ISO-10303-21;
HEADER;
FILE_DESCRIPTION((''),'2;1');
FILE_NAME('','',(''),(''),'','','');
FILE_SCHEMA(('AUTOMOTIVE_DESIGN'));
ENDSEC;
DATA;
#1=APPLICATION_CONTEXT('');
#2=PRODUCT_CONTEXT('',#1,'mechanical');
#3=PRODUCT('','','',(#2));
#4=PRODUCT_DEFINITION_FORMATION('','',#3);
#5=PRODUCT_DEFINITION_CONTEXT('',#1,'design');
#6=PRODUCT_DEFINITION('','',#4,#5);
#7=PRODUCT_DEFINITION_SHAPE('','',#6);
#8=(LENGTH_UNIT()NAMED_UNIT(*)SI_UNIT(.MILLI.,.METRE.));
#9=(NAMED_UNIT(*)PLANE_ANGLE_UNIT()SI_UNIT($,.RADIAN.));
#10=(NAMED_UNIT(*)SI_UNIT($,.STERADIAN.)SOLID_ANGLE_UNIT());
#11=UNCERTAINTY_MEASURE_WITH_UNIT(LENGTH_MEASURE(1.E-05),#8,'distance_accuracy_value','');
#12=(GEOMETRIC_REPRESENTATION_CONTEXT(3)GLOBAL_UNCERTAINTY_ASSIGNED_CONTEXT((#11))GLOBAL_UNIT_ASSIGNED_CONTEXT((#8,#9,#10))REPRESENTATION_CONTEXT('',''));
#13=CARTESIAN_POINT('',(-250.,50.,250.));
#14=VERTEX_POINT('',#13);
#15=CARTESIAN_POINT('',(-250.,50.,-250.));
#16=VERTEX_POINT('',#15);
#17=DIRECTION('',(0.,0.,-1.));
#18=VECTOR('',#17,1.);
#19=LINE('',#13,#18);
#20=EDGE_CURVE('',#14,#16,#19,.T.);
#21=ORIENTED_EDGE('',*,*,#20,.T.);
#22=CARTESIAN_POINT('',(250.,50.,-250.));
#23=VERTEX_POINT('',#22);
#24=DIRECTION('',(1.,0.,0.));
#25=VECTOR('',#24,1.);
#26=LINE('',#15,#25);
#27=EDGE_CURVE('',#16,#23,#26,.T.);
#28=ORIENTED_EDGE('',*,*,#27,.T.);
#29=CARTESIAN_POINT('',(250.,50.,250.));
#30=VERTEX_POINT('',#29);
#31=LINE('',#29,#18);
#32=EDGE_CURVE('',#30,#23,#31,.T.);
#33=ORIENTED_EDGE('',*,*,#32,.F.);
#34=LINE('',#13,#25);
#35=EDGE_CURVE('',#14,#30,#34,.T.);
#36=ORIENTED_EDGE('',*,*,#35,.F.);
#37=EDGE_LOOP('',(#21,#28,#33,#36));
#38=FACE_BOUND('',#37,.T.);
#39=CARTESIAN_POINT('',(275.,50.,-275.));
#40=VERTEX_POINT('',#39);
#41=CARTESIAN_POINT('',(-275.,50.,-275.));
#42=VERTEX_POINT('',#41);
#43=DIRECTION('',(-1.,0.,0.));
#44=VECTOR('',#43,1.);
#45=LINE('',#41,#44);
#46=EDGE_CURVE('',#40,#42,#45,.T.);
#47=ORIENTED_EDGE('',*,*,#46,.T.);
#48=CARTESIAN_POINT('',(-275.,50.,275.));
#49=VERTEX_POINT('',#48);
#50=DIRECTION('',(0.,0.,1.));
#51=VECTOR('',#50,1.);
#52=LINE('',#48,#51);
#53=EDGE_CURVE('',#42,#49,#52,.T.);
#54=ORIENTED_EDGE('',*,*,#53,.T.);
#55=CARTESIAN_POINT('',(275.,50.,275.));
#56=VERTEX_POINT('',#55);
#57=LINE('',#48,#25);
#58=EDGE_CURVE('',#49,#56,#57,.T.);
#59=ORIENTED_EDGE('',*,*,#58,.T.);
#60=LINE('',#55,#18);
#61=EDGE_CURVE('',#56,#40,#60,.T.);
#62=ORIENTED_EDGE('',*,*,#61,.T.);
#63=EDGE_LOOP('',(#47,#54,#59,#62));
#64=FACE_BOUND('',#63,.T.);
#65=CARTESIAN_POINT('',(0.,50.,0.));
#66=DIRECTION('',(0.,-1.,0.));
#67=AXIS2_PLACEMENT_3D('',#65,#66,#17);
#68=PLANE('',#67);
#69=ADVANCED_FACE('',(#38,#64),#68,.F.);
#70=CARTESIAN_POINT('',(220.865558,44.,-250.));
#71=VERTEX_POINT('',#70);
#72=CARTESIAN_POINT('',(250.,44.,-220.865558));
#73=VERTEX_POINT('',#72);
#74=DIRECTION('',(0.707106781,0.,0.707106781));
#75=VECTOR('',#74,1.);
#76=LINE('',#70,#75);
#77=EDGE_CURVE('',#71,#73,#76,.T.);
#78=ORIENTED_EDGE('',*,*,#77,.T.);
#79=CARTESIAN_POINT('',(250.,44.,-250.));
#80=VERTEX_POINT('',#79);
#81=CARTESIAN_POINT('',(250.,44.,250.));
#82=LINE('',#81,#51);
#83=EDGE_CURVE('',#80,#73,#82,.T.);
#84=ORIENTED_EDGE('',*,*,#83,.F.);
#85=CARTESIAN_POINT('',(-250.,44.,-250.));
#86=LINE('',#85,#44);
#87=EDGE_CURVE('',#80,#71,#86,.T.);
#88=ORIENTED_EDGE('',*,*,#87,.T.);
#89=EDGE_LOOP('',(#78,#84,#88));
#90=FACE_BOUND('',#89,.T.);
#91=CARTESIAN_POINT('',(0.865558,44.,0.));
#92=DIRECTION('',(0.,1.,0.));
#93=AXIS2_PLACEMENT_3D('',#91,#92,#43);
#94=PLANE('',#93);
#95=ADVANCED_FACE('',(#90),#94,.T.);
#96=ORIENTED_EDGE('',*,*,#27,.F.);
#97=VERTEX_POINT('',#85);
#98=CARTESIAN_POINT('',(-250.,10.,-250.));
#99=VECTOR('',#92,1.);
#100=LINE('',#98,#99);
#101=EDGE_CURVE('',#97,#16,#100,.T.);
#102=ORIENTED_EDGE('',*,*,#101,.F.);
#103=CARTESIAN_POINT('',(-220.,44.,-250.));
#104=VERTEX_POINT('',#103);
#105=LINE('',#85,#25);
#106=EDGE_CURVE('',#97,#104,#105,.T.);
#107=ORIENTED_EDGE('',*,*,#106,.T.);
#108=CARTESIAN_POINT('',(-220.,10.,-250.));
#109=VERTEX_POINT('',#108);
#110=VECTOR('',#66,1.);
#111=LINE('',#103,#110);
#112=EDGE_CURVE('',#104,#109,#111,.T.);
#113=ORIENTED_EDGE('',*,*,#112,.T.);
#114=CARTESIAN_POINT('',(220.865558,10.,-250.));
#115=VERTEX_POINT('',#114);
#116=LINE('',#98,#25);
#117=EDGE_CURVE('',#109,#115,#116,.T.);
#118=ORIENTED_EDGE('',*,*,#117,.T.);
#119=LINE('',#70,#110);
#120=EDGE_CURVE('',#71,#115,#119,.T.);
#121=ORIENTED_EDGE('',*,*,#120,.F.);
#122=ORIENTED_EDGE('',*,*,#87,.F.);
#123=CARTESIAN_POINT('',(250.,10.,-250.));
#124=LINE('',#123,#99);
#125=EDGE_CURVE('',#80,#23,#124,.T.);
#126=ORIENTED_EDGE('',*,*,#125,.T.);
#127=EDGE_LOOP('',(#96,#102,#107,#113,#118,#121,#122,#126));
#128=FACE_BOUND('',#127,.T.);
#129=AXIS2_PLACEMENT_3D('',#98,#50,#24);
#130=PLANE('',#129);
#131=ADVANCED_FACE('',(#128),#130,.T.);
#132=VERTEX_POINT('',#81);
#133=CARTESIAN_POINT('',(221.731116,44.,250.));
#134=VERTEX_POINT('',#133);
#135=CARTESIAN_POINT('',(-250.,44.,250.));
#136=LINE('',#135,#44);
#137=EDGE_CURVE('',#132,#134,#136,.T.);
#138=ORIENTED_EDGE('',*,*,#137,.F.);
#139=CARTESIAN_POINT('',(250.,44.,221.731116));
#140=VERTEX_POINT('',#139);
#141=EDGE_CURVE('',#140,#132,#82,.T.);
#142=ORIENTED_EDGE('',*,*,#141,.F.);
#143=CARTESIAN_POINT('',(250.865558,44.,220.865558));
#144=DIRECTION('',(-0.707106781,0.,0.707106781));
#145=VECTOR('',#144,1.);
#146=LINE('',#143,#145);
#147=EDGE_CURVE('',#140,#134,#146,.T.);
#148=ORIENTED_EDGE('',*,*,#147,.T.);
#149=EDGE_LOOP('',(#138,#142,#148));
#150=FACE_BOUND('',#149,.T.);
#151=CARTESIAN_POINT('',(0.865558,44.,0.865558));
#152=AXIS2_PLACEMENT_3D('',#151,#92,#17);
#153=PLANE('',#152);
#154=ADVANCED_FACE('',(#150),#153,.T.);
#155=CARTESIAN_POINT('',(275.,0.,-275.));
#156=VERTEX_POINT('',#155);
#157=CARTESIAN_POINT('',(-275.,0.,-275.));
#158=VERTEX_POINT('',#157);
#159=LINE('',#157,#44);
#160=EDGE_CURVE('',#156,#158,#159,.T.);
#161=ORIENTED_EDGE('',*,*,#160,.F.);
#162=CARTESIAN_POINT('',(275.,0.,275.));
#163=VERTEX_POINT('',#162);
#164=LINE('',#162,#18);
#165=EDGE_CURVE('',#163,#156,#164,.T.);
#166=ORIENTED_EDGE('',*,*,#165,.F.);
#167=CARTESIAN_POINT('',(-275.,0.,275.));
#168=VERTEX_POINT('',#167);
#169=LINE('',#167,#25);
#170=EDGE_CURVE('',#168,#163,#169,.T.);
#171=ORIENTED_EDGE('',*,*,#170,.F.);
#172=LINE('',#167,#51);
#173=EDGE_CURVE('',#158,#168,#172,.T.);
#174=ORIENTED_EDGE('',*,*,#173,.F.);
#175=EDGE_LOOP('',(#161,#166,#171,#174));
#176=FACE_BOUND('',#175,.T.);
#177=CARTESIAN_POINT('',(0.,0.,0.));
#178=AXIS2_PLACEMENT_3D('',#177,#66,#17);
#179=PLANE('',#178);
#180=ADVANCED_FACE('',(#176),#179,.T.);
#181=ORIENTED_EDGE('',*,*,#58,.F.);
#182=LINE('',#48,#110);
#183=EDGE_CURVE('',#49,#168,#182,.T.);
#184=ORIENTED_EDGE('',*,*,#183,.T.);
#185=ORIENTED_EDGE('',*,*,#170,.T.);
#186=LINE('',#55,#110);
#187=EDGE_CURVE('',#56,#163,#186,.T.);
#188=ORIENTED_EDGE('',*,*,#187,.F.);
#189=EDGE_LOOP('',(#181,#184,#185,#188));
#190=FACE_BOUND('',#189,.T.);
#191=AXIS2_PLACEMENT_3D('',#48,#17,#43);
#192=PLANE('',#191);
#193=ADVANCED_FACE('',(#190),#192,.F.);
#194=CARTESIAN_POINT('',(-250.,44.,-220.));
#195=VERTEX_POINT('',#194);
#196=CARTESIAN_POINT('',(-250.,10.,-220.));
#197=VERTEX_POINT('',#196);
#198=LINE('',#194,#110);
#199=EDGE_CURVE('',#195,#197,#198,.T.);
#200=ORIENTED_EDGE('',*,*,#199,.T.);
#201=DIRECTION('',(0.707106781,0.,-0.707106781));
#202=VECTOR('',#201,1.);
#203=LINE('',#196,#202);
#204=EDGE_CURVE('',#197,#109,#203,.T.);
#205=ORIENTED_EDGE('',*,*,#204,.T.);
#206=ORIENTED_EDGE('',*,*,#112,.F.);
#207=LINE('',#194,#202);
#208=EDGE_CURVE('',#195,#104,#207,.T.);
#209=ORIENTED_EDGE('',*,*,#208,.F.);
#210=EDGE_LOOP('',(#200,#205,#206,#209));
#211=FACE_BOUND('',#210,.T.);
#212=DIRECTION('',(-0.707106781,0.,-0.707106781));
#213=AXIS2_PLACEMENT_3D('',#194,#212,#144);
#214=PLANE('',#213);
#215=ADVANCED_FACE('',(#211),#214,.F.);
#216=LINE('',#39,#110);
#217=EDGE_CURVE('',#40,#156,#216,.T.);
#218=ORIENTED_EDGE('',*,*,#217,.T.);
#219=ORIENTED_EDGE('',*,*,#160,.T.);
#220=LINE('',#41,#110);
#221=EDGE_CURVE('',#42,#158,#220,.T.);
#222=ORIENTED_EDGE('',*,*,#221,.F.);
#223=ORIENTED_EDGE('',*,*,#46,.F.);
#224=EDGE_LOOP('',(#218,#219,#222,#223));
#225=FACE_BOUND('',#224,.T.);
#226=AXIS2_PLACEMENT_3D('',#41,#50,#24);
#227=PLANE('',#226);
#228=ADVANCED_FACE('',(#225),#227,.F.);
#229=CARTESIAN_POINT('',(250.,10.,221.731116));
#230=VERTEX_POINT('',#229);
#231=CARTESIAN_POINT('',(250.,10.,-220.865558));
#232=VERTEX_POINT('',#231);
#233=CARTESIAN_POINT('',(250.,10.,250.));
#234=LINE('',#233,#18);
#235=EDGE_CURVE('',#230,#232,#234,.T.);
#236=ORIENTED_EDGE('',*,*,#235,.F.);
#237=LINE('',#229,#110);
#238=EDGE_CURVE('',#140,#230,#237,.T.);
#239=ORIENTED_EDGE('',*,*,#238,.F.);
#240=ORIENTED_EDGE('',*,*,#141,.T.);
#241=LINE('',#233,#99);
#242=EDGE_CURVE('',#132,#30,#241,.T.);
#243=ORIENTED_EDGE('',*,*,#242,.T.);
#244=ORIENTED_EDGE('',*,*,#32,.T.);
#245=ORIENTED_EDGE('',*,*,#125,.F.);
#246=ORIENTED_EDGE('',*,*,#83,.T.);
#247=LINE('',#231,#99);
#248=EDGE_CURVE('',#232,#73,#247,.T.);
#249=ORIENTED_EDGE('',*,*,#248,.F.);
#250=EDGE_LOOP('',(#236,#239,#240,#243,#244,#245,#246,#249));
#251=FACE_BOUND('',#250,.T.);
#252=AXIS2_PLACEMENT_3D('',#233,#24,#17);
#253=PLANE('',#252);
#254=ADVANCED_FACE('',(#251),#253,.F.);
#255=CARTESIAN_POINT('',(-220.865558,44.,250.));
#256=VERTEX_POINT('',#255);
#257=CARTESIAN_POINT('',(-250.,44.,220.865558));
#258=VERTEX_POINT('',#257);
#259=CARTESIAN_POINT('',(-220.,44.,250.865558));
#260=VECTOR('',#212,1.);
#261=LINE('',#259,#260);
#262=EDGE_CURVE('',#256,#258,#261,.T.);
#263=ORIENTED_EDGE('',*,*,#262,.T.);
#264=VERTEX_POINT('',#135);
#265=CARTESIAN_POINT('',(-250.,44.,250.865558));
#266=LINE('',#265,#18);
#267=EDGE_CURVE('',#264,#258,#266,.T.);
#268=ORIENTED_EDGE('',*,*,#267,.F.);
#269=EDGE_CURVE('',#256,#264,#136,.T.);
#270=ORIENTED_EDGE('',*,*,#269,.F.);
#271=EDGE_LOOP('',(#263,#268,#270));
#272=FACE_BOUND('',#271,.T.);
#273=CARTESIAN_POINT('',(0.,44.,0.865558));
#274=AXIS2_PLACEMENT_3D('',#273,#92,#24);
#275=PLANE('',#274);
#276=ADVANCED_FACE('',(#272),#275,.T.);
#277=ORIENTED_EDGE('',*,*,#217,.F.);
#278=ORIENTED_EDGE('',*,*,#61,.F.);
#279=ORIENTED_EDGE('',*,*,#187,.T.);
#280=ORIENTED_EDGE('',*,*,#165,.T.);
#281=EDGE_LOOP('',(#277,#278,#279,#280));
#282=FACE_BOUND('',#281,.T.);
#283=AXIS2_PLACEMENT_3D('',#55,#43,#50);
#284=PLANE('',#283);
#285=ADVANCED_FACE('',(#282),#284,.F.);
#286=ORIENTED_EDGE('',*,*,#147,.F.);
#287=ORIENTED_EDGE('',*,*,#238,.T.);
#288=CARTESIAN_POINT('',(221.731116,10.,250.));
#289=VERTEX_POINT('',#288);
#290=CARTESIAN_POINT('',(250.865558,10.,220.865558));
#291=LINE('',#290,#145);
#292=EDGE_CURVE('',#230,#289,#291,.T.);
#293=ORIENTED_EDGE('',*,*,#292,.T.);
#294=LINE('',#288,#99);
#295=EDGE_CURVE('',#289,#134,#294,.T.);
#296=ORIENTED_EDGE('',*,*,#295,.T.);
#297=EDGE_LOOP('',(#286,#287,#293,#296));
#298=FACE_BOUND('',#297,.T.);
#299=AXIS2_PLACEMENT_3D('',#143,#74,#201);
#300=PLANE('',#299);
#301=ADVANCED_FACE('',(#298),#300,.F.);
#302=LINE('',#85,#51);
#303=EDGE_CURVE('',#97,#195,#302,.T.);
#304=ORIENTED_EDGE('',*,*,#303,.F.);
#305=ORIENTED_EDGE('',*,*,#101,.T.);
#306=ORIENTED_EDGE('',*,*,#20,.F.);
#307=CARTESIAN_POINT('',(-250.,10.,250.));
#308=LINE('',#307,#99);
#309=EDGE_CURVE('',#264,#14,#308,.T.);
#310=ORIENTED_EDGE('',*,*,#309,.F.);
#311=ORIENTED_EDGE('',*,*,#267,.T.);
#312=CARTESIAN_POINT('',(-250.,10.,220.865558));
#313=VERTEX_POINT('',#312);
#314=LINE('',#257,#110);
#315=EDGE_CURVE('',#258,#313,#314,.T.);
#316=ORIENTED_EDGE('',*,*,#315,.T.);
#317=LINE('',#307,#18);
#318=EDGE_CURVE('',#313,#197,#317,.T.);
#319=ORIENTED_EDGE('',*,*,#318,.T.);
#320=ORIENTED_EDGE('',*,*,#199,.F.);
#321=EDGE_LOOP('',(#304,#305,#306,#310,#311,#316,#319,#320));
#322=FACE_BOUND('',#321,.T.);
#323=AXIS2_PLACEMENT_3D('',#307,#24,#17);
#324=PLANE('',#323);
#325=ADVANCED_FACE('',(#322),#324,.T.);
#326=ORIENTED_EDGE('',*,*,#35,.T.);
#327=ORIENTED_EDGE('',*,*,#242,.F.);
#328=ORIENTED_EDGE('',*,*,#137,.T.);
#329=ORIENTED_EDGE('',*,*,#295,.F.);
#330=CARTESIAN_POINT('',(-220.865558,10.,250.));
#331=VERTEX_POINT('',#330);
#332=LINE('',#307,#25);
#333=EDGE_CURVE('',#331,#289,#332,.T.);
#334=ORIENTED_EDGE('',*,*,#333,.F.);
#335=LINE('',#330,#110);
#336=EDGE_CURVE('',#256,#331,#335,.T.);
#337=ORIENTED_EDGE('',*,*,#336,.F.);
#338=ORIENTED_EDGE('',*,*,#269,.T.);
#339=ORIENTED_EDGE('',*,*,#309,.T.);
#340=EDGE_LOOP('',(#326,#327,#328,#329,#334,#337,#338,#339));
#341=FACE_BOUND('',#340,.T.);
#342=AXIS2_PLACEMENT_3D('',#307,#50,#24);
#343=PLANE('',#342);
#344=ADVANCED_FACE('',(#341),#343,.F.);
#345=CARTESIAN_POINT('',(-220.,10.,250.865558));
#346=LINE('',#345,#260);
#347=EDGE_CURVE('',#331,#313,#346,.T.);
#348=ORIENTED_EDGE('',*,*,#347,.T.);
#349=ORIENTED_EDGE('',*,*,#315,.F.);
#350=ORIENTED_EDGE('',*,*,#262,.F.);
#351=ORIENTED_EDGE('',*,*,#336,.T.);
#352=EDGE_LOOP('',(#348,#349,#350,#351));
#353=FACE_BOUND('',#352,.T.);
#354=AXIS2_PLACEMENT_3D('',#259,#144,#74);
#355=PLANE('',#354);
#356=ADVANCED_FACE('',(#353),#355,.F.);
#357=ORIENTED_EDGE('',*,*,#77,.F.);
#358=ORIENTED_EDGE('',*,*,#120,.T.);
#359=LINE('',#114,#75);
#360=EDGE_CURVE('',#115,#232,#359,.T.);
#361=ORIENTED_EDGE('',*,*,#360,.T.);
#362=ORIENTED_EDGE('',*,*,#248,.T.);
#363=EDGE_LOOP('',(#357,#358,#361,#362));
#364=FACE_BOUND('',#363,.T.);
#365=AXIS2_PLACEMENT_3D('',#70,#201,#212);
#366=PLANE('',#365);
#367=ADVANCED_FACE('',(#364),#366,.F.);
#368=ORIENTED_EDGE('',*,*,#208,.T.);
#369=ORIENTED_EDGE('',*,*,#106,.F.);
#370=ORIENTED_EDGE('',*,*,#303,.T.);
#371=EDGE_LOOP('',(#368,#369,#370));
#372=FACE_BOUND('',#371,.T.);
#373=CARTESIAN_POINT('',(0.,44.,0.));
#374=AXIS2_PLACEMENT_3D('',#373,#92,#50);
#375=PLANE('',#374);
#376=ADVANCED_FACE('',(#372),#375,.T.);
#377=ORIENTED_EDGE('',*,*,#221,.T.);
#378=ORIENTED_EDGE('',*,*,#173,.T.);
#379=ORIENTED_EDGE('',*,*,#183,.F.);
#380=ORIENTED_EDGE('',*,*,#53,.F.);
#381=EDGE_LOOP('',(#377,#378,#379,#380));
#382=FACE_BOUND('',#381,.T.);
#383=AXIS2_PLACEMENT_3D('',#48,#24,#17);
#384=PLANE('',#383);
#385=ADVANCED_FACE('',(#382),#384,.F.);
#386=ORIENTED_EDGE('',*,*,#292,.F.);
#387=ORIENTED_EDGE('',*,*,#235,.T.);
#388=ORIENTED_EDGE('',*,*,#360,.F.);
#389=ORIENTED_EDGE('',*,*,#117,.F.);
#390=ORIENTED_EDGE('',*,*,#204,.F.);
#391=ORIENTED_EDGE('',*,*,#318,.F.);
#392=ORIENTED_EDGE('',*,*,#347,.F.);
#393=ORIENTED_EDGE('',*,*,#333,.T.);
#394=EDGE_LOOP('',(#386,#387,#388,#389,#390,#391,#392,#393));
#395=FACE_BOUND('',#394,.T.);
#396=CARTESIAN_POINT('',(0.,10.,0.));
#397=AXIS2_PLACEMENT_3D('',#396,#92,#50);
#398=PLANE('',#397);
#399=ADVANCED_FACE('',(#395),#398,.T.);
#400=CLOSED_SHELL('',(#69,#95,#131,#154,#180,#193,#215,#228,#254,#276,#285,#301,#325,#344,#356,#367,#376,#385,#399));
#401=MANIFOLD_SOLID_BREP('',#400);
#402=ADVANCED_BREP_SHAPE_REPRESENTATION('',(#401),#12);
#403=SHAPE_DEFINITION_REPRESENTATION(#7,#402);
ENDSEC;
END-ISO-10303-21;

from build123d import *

# Parameters (mm, degrees)
SKETCH1_W           = 550
SKETCH1_H           = 550
BOSS_EXTRUDE1_DEPTH = 50
SKETCH2_W           = 500
SKETCH2_H           = 500
CUT_EXTRUDE1_DEPTH  = 40
BOSS_EXTRUDE2_DEPTH = 34
CIRPATTERN1_COUNT   = 4


with BuildPart() as part:
    # Sketch1 → Boss-Extrude1 (new body)
    with BuildSketch(Plane(origin=(0, 0, 0), x_dir=(1, 0, 0), z_dir=(0, 1, 0))):
        Rectangle(SKETCH1_W, SKETCH1_H)
    extrude(amount=BOSS_EXTRUDE1_DEPTH)

    # Sketch2 → Cut-Extrude1 (cut)
    with BuildSketch(Plane(origin=(0, 50, 0), x_dir=(1, 0, 0), z_dir=(0, 1, 0))):
        Rectangle(SKETCH2_W, SKETCH2_H)
    extrude(amount=-CUT_EXTRUDE1_DEPTH, mode=Mode.SUBTRACT)

    # Sketch3 → Boss-Extrude2 (add)
    with BuildSketch(Plane(origin=(0, 10, 0), x_dir=(1, 0, 0), z_dir=(0, 1, 0))):
        Polygon((-250, 250), (-220, 250), (-250, 220), align=None)
    boss_extrude2 = extrude(amount=BOSS_EXTRUDE2_DEPTH)

    # CirPattern1: Boss-Extrude2 ×4 about axis
    cirpattern1_axis = Axis((0.432779002, 0, 0.432779002), (0, 1, 0))
    for i in range(1, CIRPATTERN1_COUNT):
        add(boss_extrude2.rotate(cirpattern1_axis, i * 360 / CIRPATTERN1_COUNT))


solid = part.part
